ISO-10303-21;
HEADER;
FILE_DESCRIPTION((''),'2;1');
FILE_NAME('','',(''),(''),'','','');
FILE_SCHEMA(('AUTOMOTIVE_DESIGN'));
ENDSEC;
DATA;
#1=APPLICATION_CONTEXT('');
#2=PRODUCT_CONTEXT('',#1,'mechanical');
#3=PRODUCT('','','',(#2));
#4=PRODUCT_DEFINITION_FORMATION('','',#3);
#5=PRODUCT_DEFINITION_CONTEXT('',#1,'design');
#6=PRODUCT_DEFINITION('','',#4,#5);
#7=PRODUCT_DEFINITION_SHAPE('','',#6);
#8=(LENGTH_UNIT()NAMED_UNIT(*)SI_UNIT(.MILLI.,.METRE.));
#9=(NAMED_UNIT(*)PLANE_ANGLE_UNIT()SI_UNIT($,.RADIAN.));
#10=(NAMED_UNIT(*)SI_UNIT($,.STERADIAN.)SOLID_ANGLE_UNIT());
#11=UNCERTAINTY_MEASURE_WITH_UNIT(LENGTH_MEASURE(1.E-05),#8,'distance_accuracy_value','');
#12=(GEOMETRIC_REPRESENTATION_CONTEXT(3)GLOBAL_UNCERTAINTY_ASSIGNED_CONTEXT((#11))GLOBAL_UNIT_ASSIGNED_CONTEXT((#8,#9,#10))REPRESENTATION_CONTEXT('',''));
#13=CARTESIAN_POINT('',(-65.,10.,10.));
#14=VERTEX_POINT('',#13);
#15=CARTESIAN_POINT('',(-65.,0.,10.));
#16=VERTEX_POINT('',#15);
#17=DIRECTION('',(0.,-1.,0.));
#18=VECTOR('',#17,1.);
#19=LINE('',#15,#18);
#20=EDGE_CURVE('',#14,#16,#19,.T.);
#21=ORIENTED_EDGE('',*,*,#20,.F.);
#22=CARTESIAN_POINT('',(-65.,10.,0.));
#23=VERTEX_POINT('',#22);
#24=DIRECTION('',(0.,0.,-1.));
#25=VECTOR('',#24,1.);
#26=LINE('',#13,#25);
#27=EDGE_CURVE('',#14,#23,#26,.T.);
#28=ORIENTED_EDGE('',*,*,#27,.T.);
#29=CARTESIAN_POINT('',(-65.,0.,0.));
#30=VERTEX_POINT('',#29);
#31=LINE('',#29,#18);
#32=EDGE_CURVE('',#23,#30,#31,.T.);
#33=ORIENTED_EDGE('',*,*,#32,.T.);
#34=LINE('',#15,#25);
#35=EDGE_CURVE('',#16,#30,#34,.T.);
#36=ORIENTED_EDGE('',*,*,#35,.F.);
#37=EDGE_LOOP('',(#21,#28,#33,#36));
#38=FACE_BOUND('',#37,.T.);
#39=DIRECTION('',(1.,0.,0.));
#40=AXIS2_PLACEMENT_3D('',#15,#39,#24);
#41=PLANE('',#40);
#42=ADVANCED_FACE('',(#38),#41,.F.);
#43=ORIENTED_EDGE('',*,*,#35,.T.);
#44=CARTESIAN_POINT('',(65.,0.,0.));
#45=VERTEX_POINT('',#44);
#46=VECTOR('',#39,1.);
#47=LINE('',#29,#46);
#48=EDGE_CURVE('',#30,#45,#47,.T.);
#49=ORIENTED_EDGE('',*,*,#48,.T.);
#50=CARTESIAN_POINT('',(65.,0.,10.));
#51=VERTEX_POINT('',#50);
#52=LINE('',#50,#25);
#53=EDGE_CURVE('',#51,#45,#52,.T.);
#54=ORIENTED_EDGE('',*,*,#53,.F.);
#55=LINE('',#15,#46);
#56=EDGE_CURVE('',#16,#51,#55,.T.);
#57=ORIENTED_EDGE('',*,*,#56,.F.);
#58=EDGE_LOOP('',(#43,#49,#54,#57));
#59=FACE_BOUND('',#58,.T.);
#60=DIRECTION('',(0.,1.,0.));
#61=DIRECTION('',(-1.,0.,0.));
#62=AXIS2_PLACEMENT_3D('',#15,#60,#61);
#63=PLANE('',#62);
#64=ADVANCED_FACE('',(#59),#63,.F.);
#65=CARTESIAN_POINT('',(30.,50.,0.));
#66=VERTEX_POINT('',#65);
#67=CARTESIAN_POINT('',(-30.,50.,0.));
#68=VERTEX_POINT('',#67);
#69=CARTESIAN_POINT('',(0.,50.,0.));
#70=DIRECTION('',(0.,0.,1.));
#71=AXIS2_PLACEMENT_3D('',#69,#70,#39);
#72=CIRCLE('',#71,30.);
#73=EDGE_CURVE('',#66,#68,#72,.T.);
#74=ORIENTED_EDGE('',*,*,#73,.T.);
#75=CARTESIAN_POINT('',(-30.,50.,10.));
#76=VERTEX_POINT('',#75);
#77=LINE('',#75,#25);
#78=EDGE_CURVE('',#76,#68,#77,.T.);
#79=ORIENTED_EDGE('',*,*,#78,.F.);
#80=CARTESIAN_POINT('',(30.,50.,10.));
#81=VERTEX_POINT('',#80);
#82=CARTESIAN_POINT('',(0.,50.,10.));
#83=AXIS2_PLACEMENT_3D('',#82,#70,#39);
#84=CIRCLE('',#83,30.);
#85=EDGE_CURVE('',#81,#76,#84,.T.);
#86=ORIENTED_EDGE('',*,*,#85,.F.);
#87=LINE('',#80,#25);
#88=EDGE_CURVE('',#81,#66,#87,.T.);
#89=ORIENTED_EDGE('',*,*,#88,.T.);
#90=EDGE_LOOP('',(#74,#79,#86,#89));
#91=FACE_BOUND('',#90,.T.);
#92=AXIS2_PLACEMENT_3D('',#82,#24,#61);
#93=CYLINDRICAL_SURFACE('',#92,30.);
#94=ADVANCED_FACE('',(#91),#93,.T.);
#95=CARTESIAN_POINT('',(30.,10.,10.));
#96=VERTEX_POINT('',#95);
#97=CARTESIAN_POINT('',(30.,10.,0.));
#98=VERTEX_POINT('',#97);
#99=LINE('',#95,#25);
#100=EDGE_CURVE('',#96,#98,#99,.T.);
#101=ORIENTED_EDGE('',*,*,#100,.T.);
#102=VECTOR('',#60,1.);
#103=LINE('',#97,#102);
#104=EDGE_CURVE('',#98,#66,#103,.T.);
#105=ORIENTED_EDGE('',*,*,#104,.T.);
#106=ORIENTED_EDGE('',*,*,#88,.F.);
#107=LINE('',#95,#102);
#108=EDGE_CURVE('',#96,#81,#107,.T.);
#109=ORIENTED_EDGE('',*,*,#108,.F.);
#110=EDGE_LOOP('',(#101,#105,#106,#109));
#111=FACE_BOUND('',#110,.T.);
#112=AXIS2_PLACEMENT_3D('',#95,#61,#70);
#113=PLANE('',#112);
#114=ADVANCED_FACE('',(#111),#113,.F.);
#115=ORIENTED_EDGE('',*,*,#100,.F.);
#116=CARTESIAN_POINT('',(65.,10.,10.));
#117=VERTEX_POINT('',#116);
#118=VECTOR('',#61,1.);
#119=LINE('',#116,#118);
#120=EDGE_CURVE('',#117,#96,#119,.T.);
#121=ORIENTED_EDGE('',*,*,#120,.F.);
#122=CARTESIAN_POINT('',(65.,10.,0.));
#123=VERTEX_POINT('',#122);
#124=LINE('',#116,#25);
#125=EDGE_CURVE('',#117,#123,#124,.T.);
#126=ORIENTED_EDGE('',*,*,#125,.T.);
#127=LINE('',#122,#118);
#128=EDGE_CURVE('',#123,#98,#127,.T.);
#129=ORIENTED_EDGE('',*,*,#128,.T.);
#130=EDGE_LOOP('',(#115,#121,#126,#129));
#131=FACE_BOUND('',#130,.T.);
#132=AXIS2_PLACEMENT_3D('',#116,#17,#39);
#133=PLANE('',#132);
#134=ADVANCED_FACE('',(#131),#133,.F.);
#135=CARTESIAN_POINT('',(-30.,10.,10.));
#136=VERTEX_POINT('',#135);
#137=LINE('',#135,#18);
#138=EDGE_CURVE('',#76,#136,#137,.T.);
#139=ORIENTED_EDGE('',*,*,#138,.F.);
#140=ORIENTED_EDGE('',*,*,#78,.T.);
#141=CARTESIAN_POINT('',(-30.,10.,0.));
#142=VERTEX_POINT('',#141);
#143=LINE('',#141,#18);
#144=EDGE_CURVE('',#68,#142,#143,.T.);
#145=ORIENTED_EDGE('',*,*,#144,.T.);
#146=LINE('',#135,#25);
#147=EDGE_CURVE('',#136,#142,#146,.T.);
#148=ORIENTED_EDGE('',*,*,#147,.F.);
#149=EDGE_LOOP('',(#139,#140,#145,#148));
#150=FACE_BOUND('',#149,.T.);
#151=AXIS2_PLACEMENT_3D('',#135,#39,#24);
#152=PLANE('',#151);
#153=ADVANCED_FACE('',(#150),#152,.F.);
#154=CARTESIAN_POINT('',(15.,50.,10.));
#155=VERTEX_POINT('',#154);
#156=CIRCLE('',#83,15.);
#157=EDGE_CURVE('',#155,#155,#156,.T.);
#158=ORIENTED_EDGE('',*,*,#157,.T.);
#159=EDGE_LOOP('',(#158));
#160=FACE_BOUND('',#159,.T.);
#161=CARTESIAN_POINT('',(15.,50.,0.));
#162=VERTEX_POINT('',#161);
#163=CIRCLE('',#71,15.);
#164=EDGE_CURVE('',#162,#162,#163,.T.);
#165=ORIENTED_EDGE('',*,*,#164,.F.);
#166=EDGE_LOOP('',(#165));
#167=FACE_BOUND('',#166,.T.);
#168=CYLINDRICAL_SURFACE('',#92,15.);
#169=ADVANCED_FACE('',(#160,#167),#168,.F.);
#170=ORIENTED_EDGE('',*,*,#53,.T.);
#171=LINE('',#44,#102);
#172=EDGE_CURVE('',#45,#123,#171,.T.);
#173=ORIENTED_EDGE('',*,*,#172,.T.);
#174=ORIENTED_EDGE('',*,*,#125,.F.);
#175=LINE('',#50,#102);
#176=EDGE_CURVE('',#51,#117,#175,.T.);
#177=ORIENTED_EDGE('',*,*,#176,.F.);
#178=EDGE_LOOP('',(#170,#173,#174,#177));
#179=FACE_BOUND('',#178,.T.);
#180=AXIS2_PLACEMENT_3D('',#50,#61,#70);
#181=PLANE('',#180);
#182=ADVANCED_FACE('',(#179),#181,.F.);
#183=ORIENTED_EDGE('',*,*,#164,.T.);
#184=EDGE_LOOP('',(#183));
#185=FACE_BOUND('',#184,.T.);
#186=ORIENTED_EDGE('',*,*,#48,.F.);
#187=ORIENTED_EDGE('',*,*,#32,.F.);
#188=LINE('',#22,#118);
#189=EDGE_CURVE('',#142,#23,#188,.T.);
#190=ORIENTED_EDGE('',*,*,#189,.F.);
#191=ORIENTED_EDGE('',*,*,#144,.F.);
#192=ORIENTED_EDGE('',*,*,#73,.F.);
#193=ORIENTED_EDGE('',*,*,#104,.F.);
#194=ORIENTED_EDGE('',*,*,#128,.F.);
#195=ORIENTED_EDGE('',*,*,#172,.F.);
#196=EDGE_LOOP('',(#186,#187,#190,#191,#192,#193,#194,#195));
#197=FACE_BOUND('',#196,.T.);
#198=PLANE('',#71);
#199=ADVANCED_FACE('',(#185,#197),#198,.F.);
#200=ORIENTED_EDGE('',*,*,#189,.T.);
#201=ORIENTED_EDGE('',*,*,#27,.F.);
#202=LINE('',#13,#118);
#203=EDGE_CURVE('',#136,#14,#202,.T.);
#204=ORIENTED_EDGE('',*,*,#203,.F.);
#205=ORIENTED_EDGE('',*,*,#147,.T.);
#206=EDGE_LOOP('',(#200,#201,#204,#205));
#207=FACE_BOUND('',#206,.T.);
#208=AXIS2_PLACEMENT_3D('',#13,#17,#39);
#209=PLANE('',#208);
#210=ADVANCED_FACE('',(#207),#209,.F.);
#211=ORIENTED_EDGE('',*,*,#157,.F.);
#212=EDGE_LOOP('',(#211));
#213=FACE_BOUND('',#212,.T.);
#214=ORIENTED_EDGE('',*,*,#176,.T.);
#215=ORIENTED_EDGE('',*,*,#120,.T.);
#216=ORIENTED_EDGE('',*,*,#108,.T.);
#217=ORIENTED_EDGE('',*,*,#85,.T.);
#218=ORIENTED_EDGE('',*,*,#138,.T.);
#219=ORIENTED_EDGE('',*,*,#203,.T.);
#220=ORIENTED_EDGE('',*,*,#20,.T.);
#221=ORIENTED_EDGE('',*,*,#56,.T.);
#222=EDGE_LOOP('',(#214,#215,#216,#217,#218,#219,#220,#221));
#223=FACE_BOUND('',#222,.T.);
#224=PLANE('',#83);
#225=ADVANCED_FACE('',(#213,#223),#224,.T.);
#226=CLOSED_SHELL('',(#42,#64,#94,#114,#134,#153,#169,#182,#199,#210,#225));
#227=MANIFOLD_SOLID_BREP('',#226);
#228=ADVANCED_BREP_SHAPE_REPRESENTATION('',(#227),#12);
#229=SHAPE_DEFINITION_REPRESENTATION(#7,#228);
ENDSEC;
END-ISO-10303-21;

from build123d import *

# Parameters (mm, degrees)
ESQUISSE1_R        = 15
BOSS_EXTRU_1_DEPTH = 10


with BuildPart() as part:
    # Esquisse1 → Boss.-Extru.1 (new body)
    with BuildSketch(Plane.XY):
        with BuildLine():
            Line((-65, 0), (65, 0))
            Line((65, 0), (65, 10))
            Line((65, 10), (30, 10))
            Line((30, 10), (30, 50))
            ThreePointArc((30, 50), (0, 80), (-30, 50))
            Line((-30, 50), (-30, 10))
            Line((-30, 10), (-65, 10))
            Line((-65, 10), (-65, 0))
        make_face()
        with Locations((0, 50)):
            Circle(ESQUISSE1_R, mode=Mode.SUBTRACT)
    extrude(amount=BOSS_EXTRU_1_DEPTH)


solid = part.part
